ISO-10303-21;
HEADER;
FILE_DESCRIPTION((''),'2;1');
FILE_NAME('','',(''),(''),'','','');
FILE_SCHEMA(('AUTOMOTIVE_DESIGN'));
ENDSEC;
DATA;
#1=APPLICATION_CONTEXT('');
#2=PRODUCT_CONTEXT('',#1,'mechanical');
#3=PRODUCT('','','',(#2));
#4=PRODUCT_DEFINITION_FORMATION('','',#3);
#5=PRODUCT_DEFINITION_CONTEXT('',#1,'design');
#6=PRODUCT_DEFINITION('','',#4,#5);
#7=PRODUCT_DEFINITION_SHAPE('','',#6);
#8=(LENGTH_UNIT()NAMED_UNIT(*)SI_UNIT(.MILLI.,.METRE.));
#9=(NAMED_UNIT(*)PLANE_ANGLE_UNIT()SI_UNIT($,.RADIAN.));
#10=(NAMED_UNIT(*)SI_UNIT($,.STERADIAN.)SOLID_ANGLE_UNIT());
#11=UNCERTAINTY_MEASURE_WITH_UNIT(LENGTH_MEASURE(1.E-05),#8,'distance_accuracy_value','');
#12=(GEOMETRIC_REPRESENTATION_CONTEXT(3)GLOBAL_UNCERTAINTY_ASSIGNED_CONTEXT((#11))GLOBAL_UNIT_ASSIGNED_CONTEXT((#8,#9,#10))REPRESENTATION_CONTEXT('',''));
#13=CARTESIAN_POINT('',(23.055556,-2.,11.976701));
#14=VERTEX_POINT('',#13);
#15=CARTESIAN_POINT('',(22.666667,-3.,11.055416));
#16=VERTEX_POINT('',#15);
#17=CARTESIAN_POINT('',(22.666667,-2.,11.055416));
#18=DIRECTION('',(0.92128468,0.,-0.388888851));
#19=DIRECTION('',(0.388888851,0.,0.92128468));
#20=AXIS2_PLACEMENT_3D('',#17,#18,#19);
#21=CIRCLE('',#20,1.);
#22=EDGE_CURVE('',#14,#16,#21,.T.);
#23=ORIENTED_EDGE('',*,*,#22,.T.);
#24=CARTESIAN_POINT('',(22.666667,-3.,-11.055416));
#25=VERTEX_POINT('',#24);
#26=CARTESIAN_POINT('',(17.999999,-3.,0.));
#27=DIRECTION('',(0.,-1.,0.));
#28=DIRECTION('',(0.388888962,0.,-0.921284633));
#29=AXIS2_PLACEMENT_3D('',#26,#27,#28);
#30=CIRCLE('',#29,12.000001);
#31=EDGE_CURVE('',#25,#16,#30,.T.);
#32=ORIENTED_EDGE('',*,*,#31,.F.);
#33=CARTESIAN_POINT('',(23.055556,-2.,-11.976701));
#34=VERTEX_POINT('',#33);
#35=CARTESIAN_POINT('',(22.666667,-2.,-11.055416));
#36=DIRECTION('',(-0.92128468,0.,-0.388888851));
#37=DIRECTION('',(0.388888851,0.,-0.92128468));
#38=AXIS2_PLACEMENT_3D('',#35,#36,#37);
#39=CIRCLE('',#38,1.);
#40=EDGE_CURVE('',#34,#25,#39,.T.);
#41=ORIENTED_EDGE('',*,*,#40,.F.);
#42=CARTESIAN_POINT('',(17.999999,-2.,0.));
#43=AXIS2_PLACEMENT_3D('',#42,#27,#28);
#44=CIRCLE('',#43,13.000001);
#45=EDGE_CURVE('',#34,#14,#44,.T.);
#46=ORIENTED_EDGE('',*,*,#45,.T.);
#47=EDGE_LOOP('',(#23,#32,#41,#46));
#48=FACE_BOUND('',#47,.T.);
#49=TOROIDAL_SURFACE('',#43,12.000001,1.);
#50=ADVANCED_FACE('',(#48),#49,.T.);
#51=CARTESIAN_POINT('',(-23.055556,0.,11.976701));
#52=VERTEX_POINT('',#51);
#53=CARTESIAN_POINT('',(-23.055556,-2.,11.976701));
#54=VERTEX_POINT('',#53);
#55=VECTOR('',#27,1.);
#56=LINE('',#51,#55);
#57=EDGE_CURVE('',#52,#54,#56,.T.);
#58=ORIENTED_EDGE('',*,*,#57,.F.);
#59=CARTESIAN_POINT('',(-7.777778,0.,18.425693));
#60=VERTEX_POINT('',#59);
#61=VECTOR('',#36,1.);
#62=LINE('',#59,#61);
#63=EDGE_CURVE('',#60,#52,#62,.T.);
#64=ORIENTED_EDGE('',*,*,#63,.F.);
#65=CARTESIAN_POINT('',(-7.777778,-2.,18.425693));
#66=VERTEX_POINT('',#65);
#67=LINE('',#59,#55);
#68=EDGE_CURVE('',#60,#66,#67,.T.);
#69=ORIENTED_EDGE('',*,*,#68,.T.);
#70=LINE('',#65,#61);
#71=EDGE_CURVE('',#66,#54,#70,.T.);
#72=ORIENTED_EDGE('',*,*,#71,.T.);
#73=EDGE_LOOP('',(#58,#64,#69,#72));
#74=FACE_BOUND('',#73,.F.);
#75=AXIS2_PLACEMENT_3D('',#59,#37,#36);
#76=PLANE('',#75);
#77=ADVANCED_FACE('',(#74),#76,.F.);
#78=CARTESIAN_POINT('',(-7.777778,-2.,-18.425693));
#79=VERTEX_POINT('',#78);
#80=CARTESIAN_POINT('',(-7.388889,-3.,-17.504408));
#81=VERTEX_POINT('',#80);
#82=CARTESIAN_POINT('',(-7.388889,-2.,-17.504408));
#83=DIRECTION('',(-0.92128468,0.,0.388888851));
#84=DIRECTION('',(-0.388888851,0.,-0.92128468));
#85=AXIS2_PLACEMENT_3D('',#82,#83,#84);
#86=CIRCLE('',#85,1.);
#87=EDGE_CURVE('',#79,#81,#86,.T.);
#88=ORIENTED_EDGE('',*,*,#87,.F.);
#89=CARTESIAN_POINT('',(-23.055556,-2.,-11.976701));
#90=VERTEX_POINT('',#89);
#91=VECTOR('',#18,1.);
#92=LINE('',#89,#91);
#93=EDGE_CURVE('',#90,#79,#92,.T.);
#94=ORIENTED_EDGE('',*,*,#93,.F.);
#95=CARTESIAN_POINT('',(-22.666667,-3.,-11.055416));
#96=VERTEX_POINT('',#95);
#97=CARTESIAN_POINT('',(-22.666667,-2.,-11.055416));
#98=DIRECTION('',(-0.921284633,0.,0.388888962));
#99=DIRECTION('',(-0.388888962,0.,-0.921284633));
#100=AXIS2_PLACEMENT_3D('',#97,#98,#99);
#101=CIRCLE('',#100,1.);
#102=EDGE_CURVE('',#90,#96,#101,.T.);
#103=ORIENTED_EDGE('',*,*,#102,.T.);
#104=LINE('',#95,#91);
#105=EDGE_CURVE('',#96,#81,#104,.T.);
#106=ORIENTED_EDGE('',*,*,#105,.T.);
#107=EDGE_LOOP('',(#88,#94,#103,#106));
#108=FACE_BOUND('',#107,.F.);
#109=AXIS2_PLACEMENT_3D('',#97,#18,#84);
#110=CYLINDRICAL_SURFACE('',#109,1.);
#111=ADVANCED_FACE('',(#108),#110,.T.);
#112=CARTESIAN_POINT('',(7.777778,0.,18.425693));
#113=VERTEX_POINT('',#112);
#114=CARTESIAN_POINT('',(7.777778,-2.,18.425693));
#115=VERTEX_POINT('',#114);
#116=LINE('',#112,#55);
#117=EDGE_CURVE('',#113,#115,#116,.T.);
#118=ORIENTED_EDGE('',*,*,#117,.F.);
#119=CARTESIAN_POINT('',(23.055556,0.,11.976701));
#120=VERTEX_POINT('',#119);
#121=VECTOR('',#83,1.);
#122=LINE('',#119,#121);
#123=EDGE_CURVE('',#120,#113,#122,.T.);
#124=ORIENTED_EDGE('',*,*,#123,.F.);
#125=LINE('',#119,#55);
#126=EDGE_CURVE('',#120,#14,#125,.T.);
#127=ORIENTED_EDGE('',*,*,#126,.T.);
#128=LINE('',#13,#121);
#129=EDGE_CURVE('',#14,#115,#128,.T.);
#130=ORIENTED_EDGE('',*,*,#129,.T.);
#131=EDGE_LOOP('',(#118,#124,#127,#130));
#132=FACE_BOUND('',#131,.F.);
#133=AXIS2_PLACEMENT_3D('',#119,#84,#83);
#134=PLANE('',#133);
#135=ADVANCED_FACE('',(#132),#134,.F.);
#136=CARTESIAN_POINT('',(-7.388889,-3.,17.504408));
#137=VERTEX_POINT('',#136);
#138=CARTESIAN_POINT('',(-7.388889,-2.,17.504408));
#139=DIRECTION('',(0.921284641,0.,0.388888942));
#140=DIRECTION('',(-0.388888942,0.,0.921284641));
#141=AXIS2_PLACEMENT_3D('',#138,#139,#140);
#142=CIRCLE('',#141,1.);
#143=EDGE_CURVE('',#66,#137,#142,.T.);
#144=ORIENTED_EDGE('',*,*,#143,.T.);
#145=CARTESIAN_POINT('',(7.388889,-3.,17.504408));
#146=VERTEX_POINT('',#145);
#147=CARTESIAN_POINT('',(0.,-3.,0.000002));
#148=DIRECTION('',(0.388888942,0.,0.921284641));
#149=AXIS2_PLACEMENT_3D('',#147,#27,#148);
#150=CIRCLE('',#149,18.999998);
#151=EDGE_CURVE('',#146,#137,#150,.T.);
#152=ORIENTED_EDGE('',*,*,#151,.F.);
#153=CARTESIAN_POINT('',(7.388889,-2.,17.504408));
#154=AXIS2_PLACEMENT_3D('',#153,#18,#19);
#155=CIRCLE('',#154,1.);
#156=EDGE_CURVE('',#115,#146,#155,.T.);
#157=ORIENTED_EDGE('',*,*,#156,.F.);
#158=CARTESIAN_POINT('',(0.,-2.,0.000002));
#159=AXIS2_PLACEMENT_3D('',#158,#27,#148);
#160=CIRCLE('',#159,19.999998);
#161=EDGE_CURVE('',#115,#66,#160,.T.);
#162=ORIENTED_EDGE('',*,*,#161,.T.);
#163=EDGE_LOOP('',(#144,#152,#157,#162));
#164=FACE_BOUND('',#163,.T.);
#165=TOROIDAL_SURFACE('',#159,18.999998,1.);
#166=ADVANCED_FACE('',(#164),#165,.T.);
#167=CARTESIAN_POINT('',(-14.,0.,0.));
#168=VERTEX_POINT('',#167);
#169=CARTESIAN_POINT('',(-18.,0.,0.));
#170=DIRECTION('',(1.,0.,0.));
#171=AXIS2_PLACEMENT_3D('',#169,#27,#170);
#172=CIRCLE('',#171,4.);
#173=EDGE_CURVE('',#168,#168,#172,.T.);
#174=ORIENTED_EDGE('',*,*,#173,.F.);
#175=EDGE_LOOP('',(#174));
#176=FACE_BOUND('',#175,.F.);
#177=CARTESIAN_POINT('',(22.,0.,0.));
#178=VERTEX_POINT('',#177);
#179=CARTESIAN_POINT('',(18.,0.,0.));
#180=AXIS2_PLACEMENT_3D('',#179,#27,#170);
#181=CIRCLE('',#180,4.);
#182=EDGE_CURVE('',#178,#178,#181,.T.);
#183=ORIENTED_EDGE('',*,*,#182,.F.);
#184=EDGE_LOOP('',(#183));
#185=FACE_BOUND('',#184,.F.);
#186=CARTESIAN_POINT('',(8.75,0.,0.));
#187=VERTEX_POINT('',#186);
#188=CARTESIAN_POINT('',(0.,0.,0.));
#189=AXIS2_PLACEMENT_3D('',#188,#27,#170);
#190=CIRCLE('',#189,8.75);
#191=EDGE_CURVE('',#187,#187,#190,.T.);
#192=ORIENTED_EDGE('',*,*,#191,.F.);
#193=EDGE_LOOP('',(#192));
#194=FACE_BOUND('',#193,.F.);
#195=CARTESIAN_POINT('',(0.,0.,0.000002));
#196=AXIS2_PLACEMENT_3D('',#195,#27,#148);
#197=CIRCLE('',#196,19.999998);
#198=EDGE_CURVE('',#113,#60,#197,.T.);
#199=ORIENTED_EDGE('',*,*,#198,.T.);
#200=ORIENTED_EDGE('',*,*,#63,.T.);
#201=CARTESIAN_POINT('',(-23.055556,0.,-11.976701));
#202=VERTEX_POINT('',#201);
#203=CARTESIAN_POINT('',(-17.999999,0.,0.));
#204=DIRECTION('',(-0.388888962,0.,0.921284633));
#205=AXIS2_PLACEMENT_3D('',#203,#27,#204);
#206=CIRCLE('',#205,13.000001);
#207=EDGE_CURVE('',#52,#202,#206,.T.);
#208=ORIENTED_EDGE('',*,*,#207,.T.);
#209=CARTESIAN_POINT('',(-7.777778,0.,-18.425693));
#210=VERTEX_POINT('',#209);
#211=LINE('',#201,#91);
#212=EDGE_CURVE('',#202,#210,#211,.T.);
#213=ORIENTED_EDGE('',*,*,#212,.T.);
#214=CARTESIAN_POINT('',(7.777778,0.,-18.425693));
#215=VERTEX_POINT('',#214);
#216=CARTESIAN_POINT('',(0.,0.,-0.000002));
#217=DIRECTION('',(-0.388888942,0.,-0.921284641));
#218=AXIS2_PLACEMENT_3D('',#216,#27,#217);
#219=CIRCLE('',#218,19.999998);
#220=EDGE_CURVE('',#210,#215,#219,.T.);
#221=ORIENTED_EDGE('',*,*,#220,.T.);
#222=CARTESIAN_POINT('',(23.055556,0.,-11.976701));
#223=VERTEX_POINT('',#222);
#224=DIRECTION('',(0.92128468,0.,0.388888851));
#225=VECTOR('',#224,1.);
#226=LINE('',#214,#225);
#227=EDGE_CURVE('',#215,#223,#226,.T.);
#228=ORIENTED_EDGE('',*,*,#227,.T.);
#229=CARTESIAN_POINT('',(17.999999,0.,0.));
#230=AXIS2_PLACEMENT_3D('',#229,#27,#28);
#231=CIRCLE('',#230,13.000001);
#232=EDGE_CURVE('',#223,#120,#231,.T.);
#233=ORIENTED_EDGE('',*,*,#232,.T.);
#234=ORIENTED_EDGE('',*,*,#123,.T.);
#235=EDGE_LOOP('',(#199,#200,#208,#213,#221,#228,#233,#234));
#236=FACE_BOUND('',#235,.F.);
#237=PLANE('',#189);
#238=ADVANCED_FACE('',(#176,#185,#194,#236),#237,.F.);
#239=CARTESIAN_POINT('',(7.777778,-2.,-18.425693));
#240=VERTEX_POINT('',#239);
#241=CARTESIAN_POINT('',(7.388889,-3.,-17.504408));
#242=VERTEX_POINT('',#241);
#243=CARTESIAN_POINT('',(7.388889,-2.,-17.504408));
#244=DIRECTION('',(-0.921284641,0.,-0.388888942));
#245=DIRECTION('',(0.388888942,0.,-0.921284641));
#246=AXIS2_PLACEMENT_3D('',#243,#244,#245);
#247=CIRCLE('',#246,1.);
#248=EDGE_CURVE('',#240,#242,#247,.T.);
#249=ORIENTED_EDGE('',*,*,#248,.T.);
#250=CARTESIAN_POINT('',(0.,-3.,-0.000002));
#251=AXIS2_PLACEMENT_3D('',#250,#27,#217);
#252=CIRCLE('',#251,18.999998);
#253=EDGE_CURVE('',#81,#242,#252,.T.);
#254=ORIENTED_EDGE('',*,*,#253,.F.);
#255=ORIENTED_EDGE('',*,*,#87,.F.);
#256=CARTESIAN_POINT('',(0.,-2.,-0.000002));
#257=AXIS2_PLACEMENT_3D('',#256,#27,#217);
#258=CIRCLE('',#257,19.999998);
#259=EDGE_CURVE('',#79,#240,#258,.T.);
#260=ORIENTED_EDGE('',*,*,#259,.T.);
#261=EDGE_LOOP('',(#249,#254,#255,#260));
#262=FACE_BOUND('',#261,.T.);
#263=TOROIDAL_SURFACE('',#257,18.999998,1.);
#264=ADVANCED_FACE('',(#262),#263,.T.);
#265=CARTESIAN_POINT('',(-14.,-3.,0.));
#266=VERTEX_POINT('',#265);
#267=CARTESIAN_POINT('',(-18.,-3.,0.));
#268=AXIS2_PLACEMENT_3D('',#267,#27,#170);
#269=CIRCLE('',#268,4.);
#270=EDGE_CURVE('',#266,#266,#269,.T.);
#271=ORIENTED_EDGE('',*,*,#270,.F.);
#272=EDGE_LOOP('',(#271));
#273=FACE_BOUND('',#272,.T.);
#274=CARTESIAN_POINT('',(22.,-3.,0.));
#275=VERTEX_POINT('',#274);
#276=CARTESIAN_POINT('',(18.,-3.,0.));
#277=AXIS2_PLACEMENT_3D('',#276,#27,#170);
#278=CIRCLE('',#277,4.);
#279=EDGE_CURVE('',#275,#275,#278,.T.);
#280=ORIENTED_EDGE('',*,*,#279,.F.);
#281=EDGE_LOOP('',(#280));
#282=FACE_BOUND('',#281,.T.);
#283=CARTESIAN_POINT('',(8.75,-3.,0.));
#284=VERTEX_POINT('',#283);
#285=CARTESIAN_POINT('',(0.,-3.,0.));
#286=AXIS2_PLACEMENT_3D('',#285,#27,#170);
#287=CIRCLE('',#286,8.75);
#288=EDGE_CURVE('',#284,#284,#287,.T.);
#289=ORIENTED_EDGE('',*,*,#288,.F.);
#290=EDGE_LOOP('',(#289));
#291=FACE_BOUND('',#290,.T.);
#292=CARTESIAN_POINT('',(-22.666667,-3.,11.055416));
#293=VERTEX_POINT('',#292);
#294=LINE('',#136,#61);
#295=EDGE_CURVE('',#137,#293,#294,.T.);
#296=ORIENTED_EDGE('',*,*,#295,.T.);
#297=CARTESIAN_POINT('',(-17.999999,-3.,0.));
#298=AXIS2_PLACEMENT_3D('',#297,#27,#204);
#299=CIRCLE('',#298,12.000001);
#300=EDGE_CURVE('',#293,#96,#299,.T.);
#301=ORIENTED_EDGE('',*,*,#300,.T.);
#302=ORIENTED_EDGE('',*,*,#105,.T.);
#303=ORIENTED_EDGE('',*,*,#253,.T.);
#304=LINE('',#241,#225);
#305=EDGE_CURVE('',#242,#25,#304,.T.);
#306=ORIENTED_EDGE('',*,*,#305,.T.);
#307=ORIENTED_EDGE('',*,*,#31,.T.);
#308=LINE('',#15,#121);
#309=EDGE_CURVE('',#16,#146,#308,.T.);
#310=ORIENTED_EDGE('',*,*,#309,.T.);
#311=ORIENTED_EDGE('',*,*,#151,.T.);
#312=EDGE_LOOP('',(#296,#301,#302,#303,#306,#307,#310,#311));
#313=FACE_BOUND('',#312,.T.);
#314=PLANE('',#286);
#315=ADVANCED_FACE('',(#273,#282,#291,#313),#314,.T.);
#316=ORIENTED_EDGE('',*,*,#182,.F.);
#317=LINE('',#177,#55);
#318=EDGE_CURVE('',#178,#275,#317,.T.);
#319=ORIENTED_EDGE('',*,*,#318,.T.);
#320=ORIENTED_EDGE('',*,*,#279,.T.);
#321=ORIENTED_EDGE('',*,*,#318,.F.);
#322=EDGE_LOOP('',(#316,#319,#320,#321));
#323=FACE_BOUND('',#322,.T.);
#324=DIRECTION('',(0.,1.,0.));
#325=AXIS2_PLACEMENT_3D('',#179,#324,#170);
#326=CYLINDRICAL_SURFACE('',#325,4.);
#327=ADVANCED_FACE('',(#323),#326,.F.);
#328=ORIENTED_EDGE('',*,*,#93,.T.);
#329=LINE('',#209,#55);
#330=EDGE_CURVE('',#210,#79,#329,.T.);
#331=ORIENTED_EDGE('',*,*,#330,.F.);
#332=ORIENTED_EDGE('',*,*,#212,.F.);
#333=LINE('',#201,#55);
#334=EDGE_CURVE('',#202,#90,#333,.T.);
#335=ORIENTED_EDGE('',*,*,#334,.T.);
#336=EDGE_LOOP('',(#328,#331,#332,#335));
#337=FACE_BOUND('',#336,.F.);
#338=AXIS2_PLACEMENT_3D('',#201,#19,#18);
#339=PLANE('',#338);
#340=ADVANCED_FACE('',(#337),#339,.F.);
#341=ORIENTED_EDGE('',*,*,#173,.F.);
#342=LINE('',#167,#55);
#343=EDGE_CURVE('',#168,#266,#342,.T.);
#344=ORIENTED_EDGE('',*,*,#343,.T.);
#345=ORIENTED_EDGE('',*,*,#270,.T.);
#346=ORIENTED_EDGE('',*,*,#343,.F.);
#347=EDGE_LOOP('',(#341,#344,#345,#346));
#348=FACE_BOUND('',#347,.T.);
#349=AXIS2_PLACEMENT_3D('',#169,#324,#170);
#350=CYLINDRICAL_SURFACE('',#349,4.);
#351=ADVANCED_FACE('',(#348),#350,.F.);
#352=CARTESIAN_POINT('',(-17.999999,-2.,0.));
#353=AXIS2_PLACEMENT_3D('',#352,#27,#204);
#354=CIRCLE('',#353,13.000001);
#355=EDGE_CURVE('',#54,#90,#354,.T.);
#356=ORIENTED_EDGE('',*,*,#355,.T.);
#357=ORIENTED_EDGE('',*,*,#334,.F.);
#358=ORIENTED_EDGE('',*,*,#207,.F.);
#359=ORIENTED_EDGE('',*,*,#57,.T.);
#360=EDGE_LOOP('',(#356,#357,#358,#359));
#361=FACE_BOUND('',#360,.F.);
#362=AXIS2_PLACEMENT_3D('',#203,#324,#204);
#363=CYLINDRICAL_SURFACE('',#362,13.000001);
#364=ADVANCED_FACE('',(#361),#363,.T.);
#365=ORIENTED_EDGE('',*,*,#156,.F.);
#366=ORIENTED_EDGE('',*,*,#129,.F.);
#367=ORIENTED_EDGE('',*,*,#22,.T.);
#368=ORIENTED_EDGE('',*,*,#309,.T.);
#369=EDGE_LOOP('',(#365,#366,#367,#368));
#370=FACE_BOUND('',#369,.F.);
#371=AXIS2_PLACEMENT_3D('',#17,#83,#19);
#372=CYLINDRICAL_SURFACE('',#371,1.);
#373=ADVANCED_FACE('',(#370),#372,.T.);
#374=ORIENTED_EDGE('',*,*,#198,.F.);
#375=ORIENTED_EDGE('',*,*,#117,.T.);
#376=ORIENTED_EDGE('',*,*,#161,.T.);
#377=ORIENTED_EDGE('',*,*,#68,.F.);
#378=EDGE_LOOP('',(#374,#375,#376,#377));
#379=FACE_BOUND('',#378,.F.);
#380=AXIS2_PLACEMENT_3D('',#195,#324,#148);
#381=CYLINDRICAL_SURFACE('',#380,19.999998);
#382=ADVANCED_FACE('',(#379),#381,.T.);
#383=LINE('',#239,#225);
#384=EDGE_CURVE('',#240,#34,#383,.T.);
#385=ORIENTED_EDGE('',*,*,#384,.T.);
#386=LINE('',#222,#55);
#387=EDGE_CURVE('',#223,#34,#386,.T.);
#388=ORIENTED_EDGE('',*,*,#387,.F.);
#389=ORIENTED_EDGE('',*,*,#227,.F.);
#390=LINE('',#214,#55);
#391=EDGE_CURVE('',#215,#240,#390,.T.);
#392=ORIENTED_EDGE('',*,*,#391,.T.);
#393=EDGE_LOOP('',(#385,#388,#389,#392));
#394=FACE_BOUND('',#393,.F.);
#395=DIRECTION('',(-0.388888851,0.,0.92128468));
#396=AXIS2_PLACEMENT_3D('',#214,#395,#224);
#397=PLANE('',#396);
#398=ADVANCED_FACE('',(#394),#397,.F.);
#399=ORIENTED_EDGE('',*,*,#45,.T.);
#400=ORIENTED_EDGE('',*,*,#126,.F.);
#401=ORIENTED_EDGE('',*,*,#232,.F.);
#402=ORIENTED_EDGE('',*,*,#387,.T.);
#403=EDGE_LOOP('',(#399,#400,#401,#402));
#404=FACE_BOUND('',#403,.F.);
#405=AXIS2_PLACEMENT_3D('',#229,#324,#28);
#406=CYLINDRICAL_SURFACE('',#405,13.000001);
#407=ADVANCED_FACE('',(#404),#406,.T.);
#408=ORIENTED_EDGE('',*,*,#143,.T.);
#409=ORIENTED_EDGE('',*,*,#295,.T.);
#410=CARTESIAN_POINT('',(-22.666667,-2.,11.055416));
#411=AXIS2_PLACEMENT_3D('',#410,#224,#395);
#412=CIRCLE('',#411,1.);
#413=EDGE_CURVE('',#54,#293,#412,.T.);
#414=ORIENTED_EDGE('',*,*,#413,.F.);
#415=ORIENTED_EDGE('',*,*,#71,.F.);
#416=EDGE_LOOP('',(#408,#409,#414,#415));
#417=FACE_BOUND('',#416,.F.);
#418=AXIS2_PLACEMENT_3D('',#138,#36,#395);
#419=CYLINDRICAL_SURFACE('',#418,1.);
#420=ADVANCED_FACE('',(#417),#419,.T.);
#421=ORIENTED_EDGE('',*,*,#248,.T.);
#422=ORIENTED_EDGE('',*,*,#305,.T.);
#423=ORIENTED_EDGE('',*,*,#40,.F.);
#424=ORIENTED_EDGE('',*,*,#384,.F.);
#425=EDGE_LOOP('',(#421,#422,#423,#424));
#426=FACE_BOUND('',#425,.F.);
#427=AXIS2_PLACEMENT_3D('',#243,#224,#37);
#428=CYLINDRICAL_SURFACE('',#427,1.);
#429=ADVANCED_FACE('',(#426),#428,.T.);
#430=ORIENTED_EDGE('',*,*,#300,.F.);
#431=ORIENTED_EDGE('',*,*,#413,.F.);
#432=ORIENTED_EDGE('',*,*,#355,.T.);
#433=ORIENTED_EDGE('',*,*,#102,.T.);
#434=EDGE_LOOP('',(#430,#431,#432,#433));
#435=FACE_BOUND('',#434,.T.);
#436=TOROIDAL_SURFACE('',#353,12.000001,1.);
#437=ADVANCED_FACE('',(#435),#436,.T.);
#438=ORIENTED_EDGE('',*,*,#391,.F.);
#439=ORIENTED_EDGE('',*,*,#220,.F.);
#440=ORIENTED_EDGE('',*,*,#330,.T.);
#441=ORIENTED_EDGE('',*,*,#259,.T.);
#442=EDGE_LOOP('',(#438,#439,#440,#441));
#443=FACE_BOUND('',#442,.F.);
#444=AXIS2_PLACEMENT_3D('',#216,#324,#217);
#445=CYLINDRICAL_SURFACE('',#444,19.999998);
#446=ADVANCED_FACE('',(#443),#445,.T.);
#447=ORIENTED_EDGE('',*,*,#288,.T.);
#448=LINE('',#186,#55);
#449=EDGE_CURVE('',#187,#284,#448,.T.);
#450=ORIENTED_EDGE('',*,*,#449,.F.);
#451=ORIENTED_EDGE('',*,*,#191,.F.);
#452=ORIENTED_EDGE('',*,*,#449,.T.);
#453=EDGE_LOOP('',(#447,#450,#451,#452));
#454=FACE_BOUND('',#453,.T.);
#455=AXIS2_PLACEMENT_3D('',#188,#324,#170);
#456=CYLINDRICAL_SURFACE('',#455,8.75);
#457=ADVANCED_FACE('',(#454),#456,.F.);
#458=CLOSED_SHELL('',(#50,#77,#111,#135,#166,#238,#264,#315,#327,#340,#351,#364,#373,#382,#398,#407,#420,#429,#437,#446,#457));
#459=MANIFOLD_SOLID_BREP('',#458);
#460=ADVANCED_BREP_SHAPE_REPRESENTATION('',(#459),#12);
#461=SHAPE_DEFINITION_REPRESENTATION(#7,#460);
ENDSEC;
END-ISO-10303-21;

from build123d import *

# Parameters (mm, degrees)
F0_R     = 4
F0_R_2   = 8.75
F1_DEPTH = 3
F2_R     = 1


with BuildPart() as f1:
    # F0 (on Front) → F1 (new body)
    with BuildSketch(Plane.XZ):
        with BuildLine():
            Line((-23.055556, -11.976701), (-7.777778, -18.425693))
            ThreePointArc((-7.777778, -18.425693), (0, -20), (7.777778, -18.425693))
            Line((7.777778, -18.425693), (23.055556, -11.976701))
            ThreePointArc((23.055556, -11.976701), (31, 0), (23.055556, 11.976701))
            Line((23.055556, 11.976701), (7.777778, 18.425693))
            ThreePointArc((7.777778, 18.425693), (0, 20), (-7.777778, 18.425693))
            Line((-7.777778, 18.425693), (-23.055556, 11.976701))
            ThreePointArc((-23.055556, 11.976701), (-31, 0), (-23.055556, -11.976701))
        make_face()
        with Locations((-18, 0)):
            Circle(F0_R, mode=Mode.SUBTRACT)
        Circle(F0_R_2, mode=Mode.SUBTRACT)
        with Locations((18, 0)):
            Circle(F0_R, mode=Mode.SUBTRACT)
    extrude(amount=F1_DEPTH)

    # F2
    f2_edges = [f1.edges().sort_by_distance(p)[0] for p in [
        (15.416667, -3, 15.201197),
    ]]
    fillet(f2_edges, radius=F2_R)


solid = f1.part
